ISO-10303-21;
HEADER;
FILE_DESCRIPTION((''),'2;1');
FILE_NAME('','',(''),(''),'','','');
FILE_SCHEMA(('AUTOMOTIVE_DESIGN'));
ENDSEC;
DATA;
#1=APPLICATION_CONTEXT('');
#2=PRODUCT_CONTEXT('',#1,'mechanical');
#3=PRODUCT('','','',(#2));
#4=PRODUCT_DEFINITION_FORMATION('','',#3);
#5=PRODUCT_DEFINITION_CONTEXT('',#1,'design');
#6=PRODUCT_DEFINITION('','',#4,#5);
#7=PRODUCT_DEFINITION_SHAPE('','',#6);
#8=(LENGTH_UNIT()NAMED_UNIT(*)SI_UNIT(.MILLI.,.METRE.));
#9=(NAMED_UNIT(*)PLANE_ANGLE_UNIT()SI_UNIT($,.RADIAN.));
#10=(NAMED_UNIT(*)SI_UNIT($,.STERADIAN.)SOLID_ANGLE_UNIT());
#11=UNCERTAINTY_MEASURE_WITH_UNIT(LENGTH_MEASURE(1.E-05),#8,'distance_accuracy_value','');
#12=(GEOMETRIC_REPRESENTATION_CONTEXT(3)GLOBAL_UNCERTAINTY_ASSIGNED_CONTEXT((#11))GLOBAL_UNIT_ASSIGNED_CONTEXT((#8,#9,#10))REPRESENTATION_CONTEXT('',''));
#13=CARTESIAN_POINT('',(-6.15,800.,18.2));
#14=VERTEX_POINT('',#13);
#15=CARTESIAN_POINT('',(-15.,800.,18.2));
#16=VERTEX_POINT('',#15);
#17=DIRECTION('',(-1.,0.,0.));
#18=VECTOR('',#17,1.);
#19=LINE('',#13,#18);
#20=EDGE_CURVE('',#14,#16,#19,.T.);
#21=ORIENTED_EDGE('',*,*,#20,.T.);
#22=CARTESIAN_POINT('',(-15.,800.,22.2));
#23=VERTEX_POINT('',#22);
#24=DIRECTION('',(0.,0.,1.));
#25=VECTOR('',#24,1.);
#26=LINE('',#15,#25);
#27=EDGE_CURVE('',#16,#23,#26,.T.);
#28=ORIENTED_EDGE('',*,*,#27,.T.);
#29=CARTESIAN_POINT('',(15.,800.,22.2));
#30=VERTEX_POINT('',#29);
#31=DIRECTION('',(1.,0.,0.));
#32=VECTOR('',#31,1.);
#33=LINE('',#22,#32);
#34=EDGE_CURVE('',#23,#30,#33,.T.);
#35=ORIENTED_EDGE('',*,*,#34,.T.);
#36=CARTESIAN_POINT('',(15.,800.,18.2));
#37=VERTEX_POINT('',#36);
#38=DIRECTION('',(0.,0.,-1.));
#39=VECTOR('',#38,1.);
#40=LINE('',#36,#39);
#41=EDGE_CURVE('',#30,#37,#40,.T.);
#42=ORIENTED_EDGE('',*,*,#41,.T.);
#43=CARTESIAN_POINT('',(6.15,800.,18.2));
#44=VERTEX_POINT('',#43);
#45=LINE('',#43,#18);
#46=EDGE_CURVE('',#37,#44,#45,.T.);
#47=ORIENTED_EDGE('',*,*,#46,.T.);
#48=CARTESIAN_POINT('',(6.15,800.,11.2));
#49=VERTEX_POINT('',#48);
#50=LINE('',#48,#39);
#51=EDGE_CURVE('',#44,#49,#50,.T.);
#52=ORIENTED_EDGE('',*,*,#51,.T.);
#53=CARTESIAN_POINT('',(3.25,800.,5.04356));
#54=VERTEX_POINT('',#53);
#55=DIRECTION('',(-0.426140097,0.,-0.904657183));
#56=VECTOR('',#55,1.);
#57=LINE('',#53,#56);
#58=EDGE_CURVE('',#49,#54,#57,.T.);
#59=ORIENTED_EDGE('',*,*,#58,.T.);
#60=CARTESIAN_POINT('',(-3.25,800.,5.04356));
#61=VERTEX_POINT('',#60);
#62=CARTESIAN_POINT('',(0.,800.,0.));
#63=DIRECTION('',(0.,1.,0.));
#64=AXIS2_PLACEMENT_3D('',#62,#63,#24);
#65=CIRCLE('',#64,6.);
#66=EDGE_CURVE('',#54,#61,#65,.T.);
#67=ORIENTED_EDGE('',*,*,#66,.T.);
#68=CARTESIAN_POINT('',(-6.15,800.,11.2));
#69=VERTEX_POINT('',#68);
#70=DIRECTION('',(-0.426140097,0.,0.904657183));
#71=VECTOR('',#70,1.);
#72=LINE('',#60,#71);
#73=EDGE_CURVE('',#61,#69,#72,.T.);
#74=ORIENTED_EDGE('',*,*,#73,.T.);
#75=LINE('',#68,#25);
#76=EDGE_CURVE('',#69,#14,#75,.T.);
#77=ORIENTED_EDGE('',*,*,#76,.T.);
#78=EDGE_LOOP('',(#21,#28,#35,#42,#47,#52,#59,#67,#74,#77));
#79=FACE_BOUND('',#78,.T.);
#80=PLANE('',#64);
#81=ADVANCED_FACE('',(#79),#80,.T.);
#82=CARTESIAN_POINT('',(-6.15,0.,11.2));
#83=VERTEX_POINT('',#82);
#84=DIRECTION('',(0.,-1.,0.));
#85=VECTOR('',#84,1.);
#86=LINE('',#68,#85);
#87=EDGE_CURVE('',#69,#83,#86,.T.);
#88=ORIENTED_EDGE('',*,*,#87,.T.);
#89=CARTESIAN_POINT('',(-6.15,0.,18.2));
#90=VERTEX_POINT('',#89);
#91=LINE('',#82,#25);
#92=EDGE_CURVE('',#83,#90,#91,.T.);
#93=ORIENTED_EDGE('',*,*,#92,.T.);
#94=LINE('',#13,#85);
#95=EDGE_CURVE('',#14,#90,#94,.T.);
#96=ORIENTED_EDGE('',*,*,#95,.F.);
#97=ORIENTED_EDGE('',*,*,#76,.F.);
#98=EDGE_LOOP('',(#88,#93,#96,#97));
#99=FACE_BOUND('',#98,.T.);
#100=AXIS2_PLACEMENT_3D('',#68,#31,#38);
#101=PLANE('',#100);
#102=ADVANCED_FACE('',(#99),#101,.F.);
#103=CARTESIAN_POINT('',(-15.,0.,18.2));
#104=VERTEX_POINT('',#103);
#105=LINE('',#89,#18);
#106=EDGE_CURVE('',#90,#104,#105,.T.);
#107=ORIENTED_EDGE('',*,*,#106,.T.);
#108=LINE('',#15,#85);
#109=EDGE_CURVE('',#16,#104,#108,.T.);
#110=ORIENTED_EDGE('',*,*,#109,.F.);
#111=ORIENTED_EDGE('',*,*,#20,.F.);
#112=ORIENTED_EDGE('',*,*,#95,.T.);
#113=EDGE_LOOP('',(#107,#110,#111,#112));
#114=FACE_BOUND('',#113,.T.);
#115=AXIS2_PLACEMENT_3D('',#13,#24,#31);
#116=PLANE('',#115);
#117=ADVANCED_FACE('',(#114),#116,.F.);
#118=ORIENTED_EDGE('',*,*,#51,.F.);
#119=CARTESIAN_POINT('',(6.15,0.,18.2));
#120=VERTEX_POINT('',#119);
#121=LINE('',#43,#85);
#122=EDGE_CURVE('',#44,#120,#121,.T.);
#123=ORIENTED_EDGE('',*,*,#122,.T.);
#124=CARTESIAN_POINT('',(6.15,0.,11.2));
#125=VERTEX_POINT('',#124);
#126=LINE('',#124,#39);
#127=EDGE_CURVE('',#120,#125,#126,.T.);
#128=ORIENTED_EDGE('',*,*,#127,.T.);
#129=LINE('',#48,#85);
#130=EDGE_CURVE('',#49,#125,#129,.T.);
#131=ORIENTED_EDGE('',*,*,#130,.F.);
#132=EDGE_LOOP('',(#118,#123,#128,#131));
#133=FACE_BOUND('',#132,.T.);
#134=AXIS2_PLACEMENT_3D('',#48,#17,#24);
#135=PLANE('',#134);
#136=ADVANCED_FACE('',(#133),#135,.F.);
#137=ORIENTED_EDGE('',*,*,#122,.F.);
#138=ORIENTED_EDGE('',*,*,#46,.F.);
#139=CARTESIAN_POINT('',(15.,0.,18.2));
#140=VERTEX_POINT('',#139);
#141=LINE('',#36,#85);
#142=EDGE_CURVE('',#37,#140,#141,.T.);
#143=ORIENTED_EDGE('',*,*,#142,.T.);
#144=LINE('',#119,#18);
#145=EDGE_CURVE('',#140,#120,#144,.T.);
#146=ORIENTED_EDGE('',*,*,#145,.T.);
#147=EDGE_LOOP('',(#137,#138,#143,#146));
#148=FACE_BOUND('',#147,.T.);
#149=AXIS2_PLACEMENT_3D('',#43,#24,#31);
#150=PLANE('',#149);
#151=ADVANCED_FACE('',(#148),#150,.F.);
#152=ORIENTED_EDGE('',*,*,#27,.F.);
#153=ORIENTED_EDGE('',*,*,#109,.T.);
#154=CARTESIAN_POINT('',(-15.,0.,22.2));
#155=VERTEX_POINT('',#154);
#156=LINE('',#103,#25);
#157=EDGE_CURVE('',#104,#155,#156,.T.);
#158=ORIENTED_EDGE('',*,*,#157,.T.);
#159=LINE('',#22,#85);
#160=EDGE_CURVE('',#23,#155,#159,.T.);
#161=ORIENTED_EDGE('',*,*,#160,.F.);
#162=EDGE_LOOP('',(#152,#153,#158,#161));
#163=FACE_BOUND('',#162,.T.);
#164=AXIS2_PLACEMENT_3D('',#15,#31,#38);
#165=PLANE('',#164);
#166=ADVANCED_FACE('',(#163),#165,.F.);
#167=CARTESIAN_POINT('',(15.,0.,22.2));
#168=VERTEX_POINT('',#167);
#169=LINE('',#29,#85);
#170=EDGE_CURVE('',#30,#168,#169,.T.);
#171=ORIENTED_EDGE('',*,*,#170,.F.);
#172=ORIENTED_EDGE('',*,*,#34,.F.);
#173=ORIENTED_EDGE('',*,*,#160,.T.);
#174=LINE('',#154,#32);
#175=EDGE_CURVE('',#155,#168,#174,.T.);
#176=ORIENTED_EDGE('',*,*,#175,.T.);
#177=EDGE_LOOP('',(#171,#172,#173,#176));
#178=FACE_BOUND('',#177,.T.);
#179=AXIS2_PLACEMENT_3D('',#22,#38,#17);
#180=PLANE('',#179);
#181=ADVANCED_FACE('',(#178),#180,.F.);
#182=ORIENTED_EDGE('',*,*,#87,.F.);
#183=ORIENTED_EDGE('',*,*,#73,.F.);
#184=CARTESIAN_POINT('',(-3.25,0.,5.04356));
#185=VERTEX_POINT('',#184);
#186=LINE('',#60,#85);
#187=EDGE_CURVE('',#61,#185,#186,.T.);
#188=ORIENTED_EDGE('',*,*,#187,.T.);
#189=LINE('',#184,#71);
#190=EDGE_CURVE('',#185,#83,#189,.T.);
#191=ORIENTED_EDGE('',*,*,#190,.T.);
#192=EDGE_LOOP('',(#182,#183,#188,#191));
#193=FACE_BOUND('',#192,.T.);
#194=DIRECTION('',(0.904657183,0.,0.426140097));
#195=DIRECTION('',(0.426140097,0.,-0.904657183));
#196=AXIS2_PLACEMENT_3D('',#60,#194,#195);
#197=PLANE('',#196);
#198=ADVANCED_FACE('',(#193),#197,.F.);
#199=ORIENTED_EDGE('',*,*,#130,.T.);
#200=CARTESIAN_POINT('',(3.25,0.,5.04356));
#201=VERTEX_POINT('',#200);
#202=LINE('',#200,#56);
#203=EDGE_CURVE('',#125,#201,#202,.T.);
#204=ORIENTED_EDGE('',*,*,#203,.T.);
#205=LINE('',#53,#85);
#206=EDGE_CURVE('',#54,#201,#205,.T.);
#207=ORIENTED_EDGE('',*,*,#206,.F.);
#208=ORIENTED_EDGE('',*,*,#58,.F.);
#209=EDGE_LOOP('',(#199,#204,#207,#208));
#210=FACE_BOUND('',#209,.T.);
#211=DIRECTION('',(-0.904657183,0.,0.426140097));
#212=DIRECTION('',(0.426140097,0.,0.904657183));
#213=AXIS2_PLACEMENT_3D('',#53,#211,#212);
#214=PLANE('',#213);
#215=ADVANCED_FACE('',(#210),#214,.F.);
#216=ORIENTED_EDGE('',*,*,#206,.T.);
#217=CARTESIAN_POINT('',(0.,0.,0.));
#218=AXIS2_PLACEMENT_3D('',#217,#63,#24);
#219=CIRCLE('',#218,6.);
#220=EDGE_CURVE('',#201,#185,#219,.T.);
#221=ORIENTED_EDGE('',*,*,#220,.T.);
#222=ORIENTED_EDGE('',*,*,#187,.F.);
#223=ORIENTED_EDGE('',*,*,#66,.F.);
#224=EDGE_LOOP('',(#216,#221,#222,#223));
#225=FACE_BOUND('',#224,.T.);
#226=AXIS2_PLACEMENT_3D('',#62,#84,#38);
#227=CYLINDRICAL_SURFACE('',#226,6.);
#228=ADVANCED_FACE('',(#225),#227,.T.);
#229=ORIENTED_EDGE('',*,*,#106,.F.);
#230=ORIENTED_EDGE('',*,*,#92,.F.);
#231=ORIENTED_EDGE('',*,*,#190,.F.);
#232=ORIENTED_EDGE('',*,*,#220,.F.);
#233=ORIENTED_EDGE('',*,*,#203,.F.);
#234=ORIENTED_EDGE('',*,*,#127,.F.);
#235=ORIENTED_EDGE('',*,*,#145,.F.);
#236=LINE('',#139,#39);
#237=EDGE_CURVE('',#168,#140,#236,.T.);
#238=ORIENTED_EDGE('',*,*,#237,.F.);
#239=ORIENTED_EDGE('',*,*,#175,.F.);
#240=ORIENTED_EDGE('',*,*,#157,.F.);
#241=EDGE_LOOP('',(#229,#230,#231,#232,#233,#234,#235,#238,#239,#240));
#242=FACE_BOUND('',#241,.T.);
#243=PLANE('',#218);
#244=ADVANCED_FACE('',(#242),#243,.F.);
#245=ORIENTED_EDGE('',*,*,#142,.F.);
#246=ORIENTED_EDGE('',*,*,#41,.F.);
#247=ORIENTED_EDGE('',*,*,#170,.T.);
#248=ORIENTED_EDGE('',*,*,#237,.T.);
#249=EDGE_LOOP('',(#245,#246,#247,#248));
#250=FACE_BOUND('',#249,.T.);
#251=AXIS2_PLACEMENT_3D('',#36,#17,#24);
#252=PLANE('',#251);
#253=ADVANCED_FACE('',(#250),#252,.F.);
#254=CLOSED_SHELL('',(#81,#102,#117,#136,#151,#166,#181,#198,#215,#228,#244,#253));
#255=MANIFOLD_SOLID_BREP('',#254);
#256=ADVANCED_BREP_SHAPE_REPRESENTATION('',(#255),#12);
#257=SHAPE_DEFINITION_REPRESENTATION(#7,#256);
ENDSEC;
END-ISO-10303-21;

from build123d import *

# Parameters (mm, degrees)
BOSS_EXTRUDE1_DEPTH = 800


with BuildPart() as part:
    # Sketch1 → Boss-Extrude1 (new body)
    with BuildSketch(Plane(origin=(0, 0, 0), x_dir=(1, 0, 0), z_dir=(0, 1, 0))):
        with BuildLine():
            Line((-3.25, -5.04356025), (-6.15, -11.2))
            Line((-6.15, -11.2), (-6.15, -18.2))
            Line((-6.15, -18.2), (-15, -18.2))
            Line((-15, -18.2), (-15, -22.2))
            Line((-15, -22.2), (15, -22.2))
            Line((15, -22.2), (15, -18.2))
            Line((15, -18.2), (6.15, -18.2))
            Line((6.15, -18.2), (6.15, -11.2))
            Line((6.15, -11.2), (3.25, -5.04356025))
            ThreePointArc((3.25, -5.04356025), (0, 6), (-3.25, -5.04356025))
        make_face()
    extrude(amount=BOSS_EXTRUDE1_DEPTH)


solid = part.part
